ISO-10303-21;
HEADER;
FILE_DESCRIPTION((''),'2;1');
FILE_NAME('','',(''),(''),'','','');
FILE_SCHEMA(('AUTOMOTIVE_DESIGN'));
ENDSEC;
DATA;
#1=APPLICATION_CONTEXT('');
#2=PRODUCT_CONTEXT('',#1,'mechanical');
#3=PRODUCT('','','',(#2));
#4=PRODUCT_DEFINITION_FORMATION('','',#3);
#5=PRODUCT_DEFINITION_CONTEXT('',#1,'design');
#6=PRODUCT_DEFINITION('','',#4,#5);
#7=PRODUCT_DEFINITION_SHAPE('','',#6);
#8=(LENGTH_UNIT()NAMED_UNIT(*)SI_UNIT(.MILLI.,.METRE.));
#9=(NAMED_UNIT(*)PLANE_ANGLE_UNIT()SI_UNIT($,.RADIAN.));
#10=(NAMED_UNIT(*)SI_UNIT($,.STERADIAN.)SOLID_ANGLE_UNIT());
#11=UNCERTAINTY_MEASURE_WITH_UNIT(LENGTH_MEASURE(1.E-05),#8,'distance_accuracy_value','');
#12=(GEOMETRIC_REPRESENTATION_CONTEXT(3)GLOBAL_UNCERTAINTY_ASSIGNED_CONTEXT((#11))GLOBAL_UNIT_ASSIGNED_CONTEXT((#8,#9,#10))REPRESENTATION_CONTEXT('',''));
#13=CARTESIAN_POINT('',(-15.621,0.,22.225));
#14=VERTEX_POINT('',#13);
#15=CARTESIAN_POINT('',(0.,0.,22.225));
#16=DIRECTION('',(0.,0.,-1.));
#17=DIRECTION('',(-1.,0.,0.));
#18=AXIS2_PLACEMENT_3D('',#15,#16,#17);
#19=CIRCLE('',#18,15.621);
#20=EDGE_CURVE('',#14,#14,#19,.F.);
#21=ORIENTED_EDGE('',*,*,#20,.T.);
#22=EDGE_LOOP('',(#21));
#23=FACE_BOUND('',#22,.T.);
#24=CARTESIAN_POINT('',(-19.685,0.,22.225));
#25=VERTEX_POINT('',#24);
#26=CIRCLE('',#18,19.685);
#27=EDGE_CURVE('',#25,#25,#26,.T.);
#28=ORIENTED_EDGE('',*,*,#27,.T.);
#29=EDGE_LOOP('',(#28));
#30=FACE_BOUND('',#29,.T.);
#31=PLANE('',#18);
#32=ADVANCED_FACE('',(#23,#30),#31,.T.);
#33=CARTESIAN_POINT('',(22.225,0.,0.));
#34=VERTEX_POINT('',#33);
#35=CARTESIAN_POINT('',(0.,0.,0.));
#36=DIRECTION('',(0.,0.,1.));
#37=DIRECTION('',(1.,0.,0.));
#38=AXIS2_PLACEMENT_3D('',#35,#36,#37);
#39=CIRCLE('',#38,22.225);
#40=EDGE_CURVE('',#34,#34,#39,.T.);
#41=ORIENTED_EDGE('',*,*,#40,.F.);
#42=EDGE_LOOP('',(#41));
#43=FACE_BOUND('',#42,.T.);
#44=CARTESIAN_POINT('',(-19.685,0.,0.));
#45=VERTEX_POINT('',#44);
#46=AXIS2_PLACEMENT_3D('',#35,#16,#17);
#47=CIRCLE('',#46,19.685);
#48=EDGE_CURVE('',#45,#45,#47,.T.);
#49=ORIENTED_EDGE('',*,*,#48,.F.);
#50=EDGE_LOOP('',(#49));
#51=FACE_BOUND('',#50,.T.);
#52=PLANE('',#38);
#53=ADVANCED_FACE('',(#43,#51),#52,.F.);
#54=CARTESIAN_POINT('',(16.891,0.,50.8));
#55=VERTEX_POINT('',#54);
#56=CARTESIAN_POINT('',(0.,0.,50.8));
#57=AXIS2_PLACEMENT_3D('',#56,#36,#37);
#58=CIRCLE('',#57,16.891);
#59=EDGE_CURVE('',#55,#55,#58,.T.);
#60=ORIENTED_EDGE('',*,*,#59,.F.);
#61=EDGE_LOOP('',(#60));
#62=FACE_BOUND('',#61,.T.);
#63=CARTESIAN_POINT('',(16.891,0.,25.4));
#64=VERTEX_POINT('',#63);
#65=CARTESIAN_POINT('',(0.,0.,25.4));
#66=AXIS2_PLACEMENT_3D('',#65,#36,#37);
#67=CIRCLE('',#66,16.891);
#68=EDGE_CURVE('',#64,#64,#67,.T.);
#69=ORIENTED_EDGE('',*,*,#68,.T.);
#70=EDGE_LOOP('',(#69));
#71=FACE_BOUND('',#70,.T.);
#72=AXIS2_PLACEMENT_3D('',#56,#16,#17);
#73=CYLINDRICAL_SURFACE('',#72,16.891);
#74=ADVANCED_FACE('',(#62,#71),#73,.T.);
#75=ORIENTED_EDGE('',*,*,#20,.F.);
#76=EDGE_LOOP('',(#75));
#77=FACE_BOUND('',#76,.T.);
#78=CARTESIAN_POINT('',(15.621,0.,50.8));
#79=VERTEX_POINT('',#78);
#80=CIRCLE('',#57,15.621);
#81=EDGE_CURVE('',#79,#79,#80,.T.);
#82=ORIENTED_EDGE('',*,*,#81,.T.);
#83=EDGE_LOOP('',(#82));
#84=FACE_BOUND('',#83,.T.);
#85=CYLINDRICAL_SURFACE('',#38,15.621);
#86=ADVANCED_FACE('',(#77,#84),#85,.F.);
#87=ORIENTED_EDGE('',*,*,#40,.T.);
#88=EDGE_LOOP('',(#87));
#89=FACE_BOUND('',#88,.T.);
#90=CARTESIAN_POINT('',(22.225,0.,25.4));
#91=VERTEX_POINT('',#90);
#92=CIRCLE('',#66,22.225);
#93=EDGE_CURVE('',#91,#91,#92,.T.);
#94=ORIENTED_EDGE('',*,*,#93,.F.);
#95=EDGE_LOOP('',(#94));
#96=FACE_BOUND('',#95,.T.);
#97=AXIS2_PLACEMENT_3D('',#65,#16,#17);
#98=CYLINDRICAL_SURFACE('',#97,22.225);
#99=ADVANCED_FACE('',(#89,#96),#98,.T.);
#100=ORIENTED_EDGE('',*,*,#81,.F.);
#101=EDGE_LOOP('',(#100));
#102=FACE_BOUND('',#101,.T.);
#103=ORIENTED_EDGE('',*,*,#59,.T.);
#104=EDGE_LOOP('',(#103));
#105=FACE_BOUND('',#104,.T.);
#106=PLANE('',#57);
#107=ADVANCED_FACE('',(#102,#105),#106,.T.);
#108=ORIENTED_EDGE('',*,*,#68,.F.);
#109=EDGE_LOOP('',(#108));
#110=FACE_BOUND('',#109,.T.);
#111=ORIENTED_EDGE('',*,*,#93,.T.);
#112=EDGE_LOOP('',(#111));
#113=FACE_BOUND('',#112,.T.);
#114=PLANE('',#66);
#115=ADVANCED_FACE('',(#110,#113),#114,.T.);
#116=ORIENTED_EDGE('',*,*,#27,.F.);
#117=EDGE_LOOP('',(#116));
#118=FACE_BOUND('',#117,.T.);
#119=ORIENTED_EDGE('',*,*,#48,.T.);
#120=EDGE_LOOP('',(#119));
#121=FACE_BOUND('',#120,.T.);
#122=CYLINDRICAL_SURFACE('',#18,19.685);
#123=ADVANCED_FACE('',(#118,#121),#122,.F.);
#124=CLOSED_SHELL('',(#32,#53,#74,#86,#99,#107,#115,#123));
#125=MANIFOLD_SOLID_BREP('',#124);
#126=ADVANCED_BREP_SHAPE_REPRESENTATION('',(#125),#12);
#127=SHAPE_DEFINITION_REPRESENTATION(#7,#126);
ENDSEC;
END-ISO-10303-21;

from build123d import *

# Parameters (mm, degrees)
SKETCH1_R           = 22.225
BOSS_EXTRUDE1_DEPTH = 25.4
SKETCH2_R           = 16.891
BOSS_EXTRUDE2_DEPTH = 25.4
SKETCH3_R           = 15.621
CUT_EXTRUDE1_DEPTH  = 50.8
SKETCH4_R           = 19.685
CUT_EXTRUDE2_DEPTH  = 22.225


with BuildPart() as part:
    # Sketch1 → Boss-Extrude1 (new body)
    with BuildSketch(Plane.XY):
        Circle(SKETCH1_R)
    extrude(amount=BOSS_EXTRUDE1_DEPTH)

    # Sketch2 → Boss-Extrude2 (add)
    with BuildSketch(Plane.XY.offset(25.4)):
        Circle(SKETCH2_R)
    extrude(amount=BOSS_EXTRUDE2_DEPTH)

    # Sketch3 → Cut-Extrude1 (cut)
    with BuildSketch(Plane.XY.offset(50.8)):
        Circle(SKETCH3_R)
    extrude(amount=-CUT_EXTRUDE1_DEPTH, mode=Mode.SUBTRACT)

    # Sketch4 → Cut-Extrude2 (cut)
    with BuildSketch(Plane(origin=(0, 0, 0), x_dir=(-1, 0, 0), z_dir=(0, 0, -1))):
        Circle(SKETCH4_R)
    extrude(amount=-CUT_EXTRUDE2_DEPTH, mode=Mode.SUBTRACT)


solid = part.part
